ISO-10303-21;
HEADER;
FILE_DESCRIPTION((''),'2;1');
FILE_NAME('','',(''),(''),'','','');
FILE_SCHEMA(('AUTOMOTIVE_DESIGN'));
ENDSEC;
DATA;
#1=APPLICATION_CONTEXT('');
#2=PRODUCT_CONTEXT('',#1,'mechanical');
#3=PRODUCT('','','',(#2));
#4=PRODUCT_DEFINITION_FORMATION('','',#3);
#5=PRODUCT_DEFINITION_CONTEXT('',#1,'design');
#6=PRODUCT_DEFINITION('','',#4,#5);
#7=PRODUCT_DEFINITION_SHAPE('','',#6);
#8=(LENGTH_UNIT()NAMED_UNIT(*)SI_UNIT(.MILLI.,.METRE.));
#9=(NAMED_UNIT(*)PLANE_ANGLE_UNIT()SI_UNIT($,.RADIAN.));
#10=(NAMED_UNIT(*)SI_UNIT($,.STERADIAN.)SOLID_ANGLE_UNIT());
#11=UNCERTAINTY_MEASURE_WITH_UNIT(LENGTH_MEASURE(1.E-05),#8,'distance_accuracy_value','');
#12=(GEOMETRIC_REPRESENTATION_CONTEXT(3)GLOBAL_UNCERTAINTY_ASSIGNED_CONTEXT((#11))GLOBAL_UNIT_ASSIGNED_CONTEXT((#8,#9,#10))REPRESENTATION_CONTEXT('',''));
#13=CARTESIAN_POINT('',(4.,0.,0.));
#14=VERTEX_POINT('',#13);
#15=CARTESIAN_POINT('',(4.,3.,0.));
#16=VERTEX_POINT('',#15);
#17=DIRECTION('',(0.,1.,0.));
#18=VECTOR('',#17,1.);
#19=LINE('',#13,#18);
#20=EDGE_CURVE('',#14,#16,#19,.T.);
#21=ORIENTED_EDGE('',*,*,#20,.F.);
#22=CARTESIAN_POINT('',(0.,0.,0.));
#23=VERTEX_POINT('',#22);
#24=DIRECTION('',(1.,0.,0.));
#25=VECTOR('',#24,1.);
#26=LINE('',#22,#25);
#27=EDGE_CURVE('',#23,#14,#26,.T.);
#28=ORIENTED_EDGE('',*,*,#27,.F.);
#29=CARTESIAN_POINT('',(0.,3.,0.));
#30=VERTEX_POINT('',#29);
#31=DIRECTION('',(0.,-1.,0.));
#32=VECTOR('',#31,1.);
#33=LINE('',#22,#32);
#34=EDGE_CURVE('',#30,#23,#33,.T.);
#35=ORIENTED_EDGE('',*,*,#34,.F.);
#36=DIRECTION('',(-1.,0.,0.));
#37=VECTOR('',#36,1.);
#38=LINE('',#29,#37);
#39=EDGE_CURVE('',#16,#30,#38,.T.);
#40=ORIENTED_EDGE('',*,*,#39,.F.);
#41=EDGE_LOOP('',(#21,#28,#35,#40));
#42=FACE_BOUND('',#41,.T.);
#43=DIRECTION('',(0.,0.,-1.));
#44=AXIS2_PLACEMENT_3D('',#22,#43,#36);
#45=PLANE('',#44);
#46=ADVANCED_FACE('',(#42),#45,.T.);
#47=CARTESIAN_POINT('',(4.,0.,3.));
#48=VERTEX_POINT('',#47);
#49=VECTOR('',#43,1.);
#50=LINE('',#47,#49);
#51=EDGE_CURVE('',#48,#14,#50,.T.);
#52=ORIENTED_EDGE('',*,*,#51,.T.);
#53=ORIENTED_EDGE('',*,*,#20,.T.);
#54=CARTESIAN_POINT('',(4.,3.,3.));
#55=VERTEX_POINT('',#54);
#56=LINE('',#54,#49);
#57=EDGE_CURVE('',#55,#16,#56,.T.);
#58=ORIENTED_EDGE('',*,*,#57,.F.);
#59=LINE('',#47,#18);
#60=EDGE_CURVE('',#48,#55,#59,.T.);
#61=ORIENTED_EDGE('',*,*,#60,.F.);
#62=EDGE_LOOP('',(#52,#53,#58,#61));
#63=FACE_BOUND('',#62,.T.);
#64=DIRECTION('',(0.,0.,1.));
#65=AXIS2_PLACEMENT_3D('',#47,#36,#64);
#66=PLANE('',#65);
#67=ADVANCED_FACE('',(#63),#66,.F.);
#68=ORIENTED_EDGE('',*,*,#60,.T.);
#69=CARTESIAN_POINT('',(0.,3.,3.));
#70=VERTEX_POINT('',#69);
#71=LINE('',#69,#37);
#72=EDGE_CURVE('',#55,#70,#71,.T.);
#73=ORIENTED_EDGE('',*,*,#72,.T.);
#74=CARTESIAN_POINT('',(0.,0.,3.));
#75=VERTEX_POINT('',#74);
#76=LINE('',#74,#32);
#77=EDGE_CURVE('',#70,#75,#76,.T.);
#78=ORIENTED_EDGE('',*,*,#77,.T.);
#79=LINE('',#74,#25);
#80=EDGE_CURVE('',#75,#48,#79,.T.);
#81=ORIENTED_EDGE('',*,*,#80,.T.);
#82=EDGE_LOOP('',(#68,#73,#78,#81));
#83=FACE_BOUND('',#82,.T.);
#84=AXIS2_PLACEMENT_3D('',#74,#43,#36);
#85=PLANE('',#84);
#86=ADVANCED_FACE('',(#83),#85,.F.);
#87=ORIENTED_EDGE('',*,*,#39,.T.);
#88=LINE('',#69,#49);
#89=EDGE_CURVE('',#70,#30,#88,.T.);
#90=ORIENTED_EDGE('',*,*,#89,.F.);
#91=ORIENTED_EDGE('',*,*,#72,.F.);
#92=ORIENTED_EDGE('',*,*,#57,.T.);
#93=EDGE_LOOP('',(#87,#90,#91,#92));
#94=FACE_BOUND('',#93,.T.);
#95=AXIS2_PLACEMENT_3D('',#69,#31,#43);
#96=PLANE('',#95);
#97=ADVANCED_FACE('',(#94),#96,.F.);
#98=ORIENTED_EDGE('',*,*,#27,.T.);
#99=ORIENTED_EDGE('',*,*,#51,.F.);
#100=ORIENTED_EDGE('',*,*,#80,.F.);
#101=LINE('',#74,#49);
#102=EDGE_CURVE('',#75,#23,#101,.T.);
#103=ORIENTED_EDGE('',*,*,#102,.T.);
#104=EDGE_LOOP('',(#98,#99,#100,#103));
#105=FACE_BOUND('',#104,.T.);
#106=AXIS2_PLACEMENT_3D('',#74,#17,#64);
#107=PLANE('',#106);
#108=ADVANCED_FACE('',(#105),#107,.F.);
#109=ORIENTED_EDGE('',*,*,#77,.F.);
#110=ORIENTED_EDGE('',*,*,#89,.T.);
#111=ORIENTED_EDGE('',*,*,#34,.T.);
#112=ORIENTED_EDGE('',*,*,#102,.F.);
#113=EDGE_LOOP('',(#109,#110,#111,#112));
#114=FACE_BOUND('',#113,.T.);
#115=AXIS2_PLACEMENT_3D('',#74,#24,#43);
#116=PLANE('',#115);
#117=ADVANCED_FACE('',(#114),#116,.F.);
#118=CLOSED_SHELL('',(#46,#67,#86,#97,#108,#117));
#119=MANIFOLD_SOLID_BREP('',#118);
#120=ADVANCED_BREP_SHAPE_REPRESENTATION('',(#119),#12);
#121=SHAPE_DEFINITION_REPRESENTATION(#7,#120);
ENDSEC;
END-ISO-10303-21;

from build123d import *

# Parameters (mm, degrees)
SKETCH2_W           = 4
SKETCH2_H           = 3
BOSS_EXTRUDE1_DEPTH = 3


with BuildPart() as part:
    # Sketch2 → Boss-Extrude1 (new body)
    with BuildSketch(Plane.XY):
        with Locations((2, 1.5)):
            Rectangle(SKETCH2_W, SKETCH2_H)
    extrude(amount=BOSS_EXTRUDE1_DEPTH)


solid = part.part
